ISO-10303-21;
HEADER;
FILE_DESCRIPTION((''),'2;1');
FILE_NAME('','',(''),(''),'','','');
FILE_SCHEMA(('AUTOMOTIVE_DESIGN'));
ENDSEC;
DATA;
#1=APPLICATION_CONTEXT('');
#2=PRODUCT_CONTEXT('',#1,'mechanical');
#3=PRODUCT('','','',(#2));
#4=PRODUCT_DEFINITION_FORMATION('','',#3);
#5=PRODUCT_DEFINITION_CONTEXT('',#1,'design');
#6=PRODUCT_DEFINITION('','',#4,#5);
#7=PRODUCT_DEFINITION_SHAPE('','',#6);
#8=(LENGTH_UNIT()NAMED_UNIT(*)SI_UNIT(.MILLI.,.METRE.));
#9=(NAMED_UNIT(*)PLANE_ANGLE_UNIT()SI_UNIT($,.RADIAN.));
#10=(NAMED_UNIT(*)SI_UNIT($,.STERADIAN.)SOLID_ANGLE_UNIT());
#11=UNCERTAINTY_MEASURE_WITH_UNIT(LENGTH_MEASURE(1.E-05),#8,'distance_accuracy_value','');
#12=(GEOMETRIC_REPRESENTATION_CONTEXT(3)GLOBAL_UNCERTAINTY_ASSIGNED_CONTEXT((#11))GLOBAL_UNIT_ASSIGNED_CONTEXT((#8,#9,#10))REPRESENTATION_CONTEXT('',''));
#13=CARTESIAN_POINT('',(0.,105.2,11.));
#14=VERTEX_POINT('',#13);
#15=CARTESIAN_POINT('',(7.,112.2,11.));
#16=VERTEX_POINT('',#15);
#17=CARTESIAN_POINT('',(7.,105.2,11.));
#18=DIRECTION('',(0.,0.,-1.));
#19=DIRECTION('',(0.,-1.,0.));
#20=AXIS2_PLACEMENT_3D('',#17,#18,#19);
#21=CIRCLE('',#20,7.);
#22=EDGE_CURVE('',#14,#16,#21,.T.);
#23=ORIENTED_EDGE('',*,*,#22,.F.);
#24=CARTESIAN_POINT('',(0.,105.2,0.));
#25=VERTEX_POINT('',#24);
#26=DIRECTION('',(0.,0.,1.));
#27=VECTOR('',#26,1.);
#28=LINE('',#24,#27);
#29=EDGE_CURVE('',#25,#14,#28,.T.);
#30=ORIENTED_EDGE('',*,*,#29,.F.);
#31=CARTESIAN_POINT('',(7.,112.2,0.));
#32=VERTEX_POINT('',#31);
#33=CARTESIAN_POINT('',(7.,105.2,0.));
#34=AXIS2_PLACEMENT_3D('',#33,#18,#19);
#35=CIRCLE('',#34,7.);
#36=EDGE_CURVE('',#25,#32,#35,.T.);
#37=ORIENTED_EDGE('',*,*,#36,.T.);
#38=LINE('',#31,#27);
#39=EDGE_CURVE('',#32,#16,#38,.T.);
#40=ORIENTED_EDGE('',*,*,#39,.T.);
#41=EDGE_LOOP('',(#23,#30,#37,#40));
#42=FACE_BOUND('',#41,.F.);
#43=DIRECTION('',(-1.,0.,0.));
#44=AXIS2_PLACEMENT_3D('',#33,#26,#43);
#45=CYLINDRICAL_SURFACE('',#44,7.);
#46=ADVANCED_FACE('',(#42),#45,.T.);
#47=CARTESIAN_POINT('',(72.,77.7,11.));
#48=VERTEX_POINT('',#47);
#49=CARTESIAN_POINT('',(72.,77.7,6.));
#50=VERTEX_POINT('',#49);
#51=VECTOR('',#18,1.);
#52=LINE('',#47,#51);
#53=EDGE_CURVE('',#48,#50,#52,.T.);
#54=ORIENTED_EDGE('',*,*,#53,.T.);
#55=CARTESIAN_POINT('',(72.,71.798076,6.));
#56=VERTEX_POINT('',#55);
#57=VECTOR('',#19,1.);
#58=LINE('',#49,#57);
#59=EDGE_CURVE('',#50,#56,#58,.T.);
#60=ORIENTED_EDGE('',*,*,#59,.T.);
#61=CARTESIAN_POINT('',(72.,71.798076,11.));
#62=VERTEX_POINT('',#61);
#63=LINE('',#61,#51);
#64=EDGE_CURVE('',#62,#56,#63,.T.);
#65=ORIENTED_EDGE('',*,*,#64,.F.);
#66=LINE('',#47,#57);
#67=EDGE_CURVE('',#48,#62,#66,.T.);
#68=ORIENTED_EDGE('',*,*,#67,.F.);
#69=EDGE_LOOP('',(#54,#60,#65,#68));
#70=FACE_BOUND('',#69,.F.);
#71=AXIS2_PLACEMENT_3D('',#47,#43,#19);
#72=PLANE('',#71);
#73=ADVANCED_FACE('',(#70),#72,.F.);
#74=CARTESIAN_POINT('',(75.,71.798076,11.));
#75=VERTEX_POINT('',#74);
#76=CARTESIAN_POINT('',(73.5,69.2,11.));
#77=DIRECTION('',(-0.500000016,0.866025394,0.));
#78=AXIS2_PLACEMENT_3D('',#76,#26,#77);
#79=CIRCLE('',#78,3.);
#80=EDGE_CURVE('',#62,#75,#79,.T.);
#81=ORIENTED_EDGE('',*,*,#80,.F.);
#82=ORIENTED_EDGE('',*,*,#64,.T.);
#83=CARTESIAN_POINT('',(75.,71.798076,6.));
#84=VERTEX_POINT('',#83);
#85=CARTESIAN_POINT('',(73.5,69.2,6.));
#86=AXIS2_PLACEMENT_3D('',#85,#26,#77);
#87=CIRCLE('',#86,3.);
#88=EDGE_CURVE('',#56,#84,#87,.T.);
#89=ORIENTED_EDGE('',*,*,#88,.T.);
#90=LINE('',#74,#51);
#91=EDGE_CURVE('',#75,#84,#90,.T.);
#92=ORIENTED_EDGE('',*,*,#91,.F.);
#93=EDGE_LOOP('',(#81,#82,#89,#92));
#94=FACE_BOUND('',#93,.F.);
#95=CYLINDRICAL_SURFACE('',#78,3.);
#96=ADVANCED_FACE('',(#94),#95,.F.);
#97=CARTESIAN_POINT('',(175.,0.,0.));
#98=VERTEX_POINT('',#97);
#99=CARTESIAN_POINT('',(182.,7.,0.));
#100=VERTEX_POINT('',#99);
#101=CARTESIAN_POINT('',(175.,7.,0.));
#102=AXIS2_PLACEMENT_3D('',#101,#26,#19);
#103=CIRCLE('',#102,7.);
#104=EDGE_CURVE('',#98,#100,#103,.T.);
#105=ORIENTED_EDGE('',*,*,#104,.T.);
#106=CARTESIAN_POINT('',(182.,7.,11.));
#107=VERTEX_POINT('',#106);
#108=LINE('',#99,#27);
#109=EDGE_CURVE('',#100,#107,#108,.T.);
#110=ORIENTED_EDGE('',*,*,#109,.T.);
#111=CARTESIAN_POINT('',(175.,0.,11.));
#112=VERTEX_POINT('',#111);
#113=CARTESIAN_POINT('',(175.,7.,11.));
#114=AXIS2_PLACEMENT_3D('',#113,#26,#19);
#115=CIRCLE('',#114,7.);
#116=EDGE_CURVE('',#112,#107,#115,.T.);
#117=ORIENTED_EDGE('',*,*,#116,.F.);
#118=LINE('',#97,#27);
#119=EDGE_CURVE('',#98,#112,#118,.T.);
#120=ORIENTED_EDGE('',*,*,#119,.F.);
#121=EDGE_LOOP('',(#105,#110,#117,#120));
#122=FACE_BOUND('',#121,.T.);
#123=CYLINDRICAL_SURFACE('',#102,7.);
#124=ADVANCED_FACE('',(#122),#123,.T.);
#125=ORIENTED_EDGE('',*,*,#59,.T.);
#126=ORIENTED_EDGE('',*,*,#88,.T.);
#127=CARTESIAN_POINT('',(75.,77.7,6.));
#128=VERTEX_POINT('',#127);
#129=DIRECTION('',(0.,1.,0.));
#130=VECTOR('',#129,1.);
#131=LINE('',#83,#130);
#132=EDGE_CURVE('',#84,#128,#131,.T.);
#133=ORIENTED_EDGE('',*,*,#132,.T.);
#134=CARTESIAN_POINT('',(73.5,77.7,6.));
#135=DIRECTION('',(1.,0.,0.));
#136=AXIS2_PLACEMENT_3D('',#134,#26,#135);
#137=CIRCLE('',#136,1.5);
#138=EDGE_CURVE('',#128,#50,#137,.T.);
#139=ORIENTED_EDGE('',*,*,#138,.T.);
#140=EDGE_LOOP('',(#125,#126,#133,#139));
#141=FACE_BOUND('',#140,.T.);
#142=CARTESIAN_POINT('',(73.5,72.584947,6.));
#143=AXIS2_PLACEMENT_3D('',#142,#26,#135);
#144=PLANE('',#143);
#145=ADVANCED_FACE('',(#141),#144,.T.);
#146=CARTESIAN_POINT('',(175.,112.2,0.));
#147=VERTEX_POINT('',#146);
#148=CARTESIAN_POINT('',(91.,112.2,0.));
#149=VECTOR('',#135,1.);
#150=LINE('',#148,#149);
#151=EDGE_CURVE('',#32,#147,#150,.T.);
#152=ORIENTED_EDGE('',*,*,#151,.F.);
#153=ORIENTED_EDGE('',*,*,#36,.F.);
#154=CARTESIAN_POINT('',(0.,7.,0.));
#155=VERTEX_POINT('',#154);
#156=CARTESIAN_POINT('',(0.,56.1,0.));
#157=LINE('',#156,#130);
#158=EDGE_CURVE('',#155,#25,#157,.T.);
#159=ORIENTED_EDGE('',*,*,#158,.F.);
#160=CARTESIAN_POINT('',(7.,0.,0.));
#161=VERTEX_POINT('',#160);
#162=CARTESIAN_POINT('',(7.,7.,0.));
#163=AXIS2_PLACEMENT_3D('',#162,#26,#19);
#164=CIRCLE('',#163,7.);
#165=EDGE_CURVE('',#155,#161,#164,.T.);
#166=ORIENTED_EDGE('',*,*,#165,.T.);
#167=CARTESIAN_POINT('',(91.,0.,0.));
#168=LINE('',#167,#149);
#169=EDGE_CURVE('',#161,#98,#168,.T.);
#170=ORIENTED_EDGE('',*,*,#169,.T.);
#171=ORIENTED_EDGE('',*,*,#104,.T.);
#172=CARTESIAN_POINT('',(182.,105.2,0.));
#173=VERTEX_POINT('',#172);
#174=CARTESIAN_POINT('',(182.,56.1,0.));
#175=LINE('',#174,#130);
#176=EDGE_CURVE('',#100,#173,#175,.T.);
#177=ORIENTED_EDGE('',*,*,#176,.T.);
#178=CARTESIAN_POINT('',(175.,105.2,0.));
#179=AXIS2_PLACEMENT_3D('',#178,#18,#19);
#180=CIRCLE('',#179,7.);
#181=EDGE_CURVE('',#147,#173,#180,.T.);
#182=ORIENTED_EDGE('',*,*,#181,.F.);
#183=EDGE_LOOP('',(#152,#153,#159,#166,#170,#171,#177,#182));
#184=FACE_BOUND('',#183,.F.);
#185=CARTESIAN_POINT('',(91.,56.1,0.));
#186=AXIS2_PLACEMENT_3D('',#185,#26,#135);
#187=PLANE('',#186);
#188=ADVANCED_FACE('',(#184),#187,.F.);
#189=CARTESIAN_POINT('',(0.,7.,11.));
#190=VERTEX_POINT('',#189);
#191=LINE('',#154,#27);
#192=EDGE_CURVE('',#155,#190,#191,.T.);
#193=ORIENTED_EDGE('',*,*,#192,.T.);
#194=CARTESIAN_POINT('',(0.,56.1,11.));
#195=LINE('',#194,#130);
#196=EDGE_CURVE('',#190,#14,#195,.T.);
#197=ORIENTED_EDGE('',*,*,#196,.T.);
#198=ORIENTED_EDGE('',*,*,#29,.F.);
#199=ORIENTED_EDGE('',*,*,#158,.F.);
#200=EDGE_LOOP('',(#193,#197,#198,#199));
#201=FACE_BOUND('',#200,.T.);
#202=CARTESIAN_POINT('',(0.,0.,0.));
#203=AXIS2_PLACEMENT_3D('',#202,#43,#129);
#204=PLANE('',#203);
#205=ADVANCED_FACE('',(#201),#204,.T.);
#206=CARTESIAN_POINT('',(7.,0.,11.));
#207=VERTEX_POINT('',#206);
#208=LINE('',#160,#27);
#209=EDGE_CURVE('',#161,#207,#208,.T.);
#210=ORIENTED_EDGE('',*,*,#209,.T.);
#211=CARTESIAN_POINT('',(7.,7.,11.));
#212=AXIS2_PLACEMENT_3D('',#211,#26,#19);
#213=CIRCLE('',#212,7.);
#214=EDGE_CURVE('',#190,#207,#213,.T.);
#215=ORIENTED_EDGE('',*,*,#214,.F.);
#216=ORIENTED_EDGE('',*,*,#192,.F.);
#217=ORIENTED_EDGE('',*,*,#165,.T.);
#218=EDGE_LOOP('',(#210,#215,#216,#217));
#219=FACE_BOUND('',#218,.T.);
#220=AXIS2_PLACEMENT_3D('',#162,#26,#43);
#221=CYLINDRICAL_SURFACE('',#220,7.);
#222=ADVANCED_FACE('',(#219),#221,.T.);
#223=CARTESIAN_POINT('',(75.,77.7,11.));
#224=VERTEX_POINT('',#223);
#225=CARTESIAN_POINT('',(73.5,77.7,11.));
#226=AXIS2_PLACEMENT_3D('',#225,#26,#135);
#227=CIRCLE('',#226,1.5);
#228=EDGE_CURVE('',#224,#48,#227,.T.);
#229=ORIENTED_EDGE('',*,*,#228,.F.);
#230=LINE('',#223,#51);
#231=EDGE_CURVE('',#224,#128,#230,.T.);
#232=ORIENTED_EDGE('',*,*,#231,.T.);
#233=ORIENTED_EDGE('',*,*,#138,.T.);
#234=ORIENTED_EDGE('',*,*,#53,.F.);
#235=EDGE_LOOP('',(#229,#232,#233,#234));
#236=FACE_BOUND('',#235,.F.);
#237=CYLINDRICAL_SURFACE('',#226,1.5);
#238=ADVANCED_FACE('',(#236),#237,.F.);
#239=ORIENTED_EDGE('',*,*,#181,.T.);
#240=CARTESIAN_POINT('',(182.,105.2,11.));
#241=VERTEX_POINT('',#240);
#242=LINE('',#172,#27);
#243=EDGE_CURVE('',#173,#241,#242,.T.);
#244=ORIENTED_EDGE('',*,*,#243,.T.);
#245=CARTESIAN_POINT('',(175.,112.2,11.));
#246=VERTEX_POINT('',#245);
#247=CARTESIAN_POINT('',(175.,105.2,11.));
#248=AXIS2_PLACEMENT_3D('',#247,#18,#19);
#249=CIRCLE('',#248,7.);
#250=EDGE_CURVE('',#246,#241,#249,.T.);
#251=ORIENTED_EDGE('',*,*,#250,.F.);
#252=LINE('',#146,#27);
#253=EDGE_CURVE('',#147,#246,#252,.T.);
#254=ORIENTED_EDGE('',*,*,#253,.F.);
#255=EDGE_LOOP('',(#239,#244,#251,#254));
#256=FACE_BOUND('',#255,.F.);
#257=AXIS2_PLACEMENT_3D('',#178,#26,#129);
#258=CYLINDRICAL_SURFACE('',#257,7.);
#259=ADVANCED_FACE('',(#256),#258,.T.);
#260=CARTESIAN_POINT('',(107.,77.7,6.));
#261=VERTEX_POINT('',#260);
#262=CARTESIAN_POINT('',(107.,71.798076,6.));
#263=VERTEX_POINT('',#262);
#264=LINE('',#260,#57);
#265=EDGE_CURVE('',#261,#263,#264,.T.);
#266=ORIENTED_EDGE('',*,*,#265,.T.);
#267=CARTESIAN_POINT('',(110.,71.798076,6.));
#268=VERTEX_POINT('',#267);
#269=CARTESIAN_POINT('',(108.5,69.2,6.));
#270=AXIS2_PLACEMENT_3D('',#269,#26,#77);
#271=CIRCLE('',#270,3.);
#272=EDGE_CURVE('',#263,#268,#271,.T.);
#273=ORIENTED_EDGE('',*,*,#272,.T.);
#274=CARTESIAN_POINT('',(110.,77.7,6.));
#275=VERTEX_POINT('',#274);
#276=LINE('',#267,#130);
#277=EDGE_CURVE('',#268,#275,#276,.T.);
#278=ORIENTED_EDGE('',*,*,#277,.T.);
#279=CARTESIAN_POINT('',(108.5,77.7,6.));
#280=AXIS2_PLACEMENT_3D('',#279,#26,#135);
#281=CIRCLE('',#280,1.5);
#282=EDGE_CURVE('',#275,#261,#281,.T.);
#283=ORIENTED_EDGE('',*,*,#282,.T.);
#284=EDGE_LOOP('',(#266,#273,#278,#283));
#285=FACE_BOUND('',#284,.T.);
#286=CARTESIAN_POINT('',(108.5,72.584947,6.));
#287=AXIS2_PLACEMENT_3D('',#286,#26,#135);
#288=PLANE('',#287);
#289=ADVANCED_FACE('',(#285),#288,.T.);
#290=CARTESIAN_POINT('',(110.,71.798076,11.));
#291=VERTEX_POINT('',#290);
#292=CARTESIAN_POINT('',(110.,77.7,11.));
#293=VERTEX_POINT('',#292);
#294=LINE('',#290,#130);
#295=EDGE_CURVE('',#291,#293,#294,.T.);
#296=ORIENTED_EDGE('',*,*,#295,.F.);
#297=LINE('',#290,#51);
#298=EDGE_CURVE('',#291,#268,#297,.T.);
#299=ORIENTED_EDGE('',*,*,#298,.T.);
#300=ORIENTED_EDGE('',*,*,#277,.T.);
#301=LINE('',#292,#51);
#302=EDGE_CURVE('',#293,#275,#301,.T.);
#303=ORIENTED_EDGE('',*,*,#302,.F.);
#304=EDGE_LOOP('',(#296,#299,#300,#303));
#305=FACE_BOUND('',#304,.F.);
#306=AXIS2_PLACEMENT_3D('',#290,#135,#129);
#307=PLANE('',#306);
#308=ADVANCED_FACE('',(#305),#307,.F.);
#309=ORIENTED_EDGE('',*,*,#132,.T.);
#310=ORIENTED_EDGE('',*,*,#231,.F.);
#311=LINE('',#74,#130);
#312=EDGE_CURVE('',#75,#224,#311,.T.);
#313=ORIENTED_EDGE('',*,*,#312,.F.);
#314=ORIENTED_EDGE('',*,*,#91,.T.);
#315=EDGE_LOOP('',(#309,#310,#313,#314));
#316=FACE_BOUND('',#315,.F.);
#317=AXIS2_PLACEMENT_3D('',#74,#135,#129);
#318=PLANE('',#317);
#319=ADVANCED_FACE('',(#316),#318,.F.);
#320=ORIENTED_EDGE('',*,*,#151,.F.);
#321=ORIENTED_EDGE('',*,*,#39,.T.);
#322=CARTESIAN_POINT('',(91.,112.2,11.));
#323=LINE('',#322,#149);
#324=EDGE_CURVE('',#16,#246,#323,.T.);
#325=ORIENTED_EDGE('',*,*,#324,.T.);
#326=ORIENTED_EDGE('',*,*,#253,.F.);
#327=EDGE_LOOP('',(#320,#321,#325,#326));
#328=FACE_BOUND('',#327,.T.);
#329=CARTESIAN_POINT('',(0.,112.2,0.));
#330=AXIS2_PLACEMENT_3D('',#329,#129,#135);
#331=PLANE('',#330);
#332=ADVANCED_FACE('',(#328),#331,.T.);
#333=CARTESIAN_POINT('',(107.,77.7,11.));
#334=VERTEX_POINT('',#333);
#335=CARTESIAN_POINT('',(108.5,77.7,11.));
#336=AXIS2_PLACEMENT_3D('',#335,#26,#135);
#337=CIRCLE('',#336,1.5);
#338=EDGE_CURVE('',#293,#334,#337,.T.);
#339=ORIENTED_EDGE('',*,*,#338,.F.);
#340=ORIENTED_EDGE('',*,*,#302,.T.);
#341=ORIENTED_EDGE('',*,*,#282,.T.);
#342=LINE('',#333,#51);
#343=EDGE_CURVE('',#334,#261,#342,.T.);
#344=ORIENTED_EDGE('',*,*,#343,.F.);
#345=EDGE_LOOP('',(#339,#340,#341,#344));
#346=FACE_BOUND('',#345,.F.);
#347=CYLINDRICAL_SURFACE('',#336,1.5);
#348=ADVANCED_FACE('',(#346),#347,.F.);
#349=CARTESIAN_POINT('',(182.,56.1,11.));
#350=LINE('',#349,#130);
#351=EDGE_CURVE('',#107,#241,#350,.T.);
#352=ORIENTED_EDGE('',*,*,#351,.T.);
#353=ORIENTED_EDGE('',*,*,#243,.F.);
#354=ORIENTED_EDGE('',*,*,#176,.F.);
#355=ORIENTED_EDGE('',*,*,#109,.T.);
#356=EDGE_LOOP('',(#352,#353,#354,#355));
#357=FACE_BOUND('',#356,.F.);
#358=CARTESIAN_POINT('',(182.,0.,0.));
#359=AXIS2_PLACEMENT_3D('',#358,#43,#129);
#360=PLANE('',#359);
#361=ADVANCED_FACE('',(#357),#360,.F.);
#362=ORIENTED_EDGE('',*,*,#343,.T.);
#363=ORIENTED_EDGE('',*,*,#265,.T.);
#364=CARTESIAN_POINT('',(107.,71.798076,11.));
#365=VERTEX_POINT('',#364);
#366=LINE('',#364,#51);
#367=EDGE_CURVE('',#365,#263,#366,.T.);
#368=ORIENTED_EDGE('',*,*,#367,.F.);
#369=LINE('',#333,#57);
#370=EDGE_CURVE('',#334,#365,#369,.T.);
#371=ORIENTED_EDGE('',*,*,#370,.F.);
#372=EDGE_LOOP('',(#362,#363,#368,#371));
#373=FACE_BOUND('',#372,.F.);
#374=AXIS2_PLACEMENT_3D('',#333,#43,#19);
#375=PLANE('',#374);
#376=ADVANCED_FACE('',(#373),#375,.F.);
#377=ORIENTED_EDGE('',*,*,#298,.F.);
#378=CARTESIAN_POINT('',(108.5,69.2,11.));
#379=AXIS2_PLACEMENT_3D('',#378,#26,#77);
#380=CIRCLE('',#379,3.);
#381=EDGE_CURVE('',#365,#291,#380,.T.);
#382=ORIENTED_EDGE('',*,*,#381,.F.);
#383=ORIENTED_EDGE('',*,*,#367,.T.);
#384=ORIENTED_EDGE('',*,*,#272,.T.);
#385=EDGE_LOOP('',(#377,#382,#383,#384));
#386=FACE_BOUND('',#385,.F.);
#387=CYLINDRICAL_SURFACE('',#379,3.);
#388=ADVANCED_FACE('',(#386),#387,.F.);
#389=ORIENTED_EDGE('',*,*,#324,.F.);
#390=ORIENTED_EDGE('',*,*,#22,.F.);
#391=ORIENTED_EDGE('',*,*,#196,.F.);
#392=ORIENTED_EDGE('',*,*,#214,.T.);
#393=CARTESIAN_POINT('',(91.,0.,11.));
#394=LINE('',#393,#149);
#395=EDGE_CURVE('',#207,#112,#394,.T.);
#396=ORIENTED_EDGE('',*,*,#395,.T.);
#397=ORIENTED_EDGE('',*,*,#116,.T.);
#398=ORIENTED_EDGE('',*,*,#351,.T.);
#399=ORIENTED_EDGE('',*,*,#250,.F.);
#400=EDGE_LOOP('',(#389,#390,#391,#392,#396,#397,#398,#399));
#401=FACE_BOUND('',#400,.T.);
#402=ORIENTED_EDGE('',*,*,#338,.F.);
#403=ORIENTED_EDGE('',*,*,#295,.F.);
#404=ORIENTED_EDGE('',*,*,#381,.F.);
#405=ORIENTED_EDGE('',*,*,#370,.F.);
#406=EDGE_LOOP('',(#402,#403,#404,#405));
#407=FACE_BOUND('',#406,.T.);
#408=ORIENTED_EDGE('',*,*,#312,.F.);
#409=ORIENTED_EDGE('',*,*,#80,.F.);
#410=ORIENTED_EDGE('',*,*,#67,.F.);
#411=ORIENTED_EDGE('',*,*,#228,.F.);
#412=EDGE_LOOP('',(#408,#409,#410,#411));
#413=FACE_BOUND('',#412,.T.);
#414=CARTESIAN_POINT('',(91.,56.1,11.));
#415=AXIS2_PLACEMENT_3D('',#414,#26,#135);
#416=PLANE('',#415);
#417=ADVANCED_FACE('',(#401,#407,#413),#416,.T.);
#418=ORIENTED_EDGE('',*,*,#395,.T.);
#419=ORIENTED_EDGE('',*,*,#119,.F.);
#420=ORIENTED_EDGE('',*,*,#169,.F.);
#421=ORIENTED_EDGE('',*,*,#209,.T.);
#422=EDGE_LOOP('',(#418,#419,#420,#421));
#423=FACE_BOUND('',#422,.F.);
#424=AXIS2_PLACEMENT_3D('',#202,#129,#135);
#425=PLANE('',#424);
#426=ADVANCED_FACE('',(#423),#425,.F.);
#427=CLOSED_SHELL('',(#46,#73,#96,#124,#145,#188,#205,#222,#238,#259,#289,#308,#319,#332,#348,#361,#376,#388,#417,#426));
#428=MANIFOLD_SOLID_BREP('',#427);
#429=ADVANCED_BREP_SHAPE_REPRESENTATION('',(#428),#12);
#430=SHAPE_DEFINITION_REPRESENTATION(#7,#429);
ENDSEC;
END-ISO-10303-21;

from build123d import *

# Parameters (mm, degrees)
SKETCH_W     = 182
SKETCH_H     = 112.2
PAD_DEPTH    = 11
POCKET_DEPTH = 5
FILLET_R     = 7


with BuildPart() as part:
    # Sketch → Pad (new body)
    with BuildSketch(Plane.XY):
        with Locations((91, 56.1)):
            Rectangle(SKETCH_W, SKETCH_H)
    extrude(amount=PAD_DEPTH)

    # Sketch001 (on Face6 of Pad) → Pocket (cut)
    with BuildSketch(Plane.XY.offset(11)):
        with BuildLine():
            ThreePointArc((75, 77.7), (73.5, 79.2), (72, 77.7))
            Line((72, 77.7), (72, 71.798076))
            ThreePointArc((72, 71.798076), (73.5, 66.2), (75, 71.798076))
            Line((75, 71.798076), (75, 77.7))
        make_face()
        with BuildLine():
            ThreePointArc((110, 77.7), (108.5, 79.2), (107, 77.7))
            Line((107, 77.7), (107, 71.798076))
            ThreePointArc((107, 71.798076), (108.5, 66.2), (110, 71.798076))
            Line((110, 71.798076), (110, 77.7))
        make_face()
    extrude(amount=-POCKET_DEPTH, mode=Mode.SUBTRACT)

    # Fillet
    fillet_edges = [part.edges().sort_by_distance(p)[0] for p in [
        (0, 0, 5.5),
        (182, 0, 5.5),
        (182, 112.2, 5.5),
        (0, 112.2, 5.5),
    ]]
    fillet(fillet_edges, radius=FILLET_R)


solid = part.part
